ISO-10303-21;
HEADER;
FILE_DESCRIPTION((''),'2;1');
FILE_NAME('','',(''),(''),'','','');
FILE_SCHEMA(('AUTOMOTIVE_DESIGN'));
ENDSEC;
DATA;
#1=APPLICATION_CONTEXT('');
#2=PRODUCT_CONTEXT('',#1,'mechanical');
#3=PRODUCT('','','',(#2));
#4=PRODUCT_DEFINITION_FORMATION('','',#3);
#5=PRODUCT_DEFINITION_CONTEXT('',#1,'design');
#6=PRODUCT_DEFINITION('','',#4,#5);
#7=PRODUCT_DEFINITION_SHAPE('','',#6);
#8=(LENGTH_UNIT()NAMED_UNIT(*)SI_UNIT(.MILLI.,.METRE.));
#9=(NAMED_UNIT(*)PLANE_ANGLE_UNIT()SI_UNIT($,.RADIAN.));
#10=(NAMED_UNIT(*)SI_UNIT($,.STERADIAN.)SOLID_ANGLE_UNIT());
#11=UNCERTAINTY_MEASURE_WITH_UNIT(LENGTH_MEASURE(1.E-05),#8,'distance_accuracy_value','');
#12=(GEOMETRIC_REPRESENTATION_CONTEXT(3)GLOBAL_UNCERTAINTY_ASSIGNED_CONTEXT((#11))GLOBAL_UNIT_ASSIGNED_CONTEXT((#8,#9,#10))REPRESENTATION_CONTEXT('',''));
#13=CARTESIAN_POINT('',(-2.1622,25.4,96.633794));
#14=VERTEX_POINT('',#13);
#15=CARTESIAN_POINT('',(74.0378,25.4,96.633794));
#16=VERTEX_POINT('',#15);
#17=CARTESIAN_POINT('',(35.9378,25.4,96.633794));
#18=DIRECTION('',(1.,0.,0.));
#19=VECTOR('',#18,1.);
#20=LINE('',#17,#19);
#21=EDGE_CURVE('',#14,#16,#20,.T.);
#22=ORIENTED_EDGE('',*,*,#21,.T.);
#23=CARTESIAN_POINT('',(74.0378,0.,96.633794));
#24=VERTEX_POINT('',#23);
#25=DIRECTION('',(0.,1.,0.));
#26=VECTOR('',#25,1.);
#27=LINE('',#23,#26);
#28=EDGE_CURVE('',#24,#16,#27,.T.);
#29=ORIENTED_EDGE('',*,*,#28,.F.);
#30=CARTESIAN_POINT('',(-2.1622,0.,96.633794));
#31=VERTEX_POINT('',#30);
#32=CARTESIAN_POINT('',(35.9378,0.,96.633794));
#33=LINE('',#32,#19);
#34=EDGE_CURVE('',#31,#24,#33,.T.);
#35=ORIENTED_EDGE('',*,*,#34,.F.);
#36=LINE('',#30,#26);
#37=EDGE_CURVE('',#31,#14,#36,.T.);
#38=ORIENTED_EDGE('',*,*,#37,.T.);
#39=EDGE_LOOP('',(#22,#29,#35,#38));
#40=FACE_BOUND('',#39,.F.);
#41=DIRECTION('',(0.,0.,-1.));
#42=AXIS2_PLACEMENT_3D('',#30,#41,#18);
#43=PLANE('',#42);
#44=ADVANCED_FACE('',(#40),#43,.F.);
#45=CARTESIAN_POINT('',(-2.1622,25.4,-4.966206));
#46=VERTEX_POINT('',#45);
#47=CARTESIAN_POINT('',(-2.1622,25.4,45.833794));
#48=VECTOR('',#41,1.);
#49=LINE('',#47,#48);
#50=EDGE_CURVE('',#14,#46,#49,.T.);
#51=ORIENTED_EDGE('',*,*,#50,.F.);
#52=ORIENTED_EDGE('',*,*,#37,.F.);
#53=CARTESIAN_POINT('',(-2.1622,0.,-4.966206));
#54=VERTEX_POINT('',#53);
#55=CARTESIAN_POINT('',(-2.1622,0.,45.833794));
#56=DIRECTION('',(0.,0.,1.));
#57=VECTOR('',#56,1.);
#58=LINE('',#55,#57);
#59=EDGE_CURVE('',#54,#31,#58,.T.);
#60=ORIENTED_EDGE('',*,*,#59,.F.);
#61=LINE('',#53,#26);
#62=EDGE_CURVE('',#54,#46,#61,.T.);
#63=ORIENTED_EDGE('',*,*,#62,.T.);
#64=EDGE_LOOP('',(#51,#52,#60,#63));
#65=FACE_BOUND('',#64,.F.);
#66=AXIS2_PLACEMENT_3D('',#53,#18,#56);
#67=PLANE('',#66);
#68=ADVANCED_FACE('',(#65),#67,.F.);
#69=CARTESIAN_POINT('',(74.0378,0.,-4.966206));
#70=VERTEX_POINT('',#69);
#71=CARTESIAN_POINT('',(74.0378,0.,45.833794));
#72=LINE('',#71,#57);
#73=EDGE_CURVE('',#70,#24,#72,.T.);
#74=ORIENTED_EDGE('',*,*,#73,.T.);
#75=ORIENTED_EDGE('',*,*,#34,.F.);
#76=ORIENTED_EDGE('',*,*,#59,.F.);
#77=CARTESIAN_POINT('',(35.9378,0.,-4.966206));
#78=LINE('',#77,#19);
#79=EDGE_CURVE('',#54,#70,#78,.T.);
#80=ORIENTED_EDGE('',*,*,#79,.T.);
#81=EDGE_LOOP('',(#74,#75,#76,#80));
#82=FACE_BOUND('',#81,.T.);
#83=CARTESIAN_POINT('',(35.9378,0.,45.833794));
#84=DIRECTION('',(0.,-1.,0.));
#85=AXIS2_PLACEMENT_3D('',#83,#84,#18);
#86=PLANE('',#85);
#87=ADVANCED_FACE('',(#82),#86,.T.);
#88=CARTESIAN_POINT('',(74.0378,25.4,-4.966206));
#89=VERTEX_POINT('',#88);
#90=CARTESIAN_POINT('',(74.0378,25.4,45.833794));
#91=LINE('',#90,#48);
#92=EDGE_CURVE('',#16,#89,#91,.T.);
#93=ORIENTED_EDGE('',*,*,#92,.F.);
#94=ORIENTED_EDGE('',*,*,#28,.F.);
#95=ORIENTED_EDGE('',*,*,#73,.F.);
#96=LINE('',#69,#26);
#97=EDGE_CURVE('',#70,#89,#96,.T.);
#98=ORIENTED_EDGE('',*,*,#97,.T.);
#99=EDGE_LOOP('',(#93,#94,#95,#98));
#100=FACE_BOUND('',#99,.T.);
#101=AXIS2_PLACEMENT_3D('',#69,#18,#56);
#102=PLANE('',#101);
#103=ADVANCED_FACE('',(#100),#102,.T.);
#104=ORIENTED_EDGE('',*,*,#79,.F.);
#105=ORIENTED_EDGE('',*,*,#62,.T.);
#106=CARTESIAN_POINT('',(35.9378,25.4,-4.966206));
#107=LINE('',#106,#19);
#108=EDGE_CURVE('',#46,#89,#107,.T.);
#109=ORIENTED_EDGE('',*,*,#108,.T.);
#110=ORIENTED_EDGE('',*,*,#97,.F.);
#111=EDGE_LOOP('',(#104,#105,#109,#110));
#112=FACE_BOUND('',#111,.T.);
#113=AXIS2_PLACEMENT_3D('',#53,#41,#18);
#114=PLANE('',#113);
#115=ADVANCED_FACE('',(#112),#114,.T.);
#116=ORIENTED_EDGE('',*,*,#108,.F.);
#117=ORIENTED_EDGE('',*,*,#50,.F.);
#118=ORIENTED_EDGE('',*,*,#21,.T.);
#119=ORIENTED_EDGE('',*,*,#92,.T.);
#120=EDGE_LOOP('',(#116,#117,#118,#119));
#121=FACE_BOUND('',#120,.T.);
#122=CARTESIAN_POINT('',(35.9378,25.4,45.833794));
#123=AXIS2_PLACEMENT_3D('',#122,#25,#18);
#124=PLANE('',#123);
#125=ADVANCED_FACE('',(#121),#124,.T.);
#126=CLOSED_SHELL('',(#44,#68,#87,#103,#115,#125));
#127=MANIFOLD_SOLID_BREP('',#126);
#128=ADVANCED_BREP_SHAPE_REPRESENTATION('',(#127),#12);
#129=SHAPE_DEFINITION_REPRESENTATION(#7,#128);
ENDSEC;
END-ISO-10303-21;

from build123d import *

# Parameters (mm, degrees)
F0_W      = 76.2
F0_H      = 101.6
F1_DEPTH  = 50.8
F2_R      = 28.338131
F2_R_2    = 1.769468
F1_FACE_W = 76.2
F1_FACE_H = 101.6
F3_DEPTH  = 25.4


with BuildPart() as f1:
    # F0 (on Front) → F1 (new body)
    with BuildSketch(Plane.XZ):
        with Locations((35.9378, 45.833794)):
            Rectangle(F0_W, F0_H)
    extrude(amount=-F1_DEPTH)

    # F2 (on face) + F1_face (on face) → F3 (cut)
    with BuildSketch(Plane(origin=(0, 50.8, 0), x_dir=(-1, 0, 0), z_dir=(0, 1, 0))):
        with Locations((-30.389089, 45.181002)):
            Circle(F2_R)
        with BuildLine():
            ThreePointArc((-37.398237, 46.677038), (-20.360699, 48.915227), (-11.129135, 34.421593))
            ThreePointArc((-11.129135, 34.421593), (-30.067377, 18.701711), (-42.031324, 40.210678))
            ThreePointArc((-42.031324, 40.210678), (-46.180554, 48.076524), (-37.398237, 46.677038))
        make_face(mode=Mode.SUBTRACT)
        with BuildLine():
            ThreePointArc((-42.031324, 40.210678), (-30.067377, 18.701711), (-11.129135, 34.421593))
            ThreePointArc((-11.129135, 34.421593), (-20.360699, 48.915227), (-37.398237, 46.677038))
            ThreePointArc((-37.398237, 46.677038), (-37.225748, 45.937842), (-37.167802, 45.181002))
            ThreePointArc((-37.167802, 45.181002), (-38.58595, 41.704007), (-42.031324, 40.210678))
        make_face()
        with Locations((-27.122481, 34.421593)):
            Circle(F2_R_2, mode=Mode.SUBTRACT)
    with BuildSketch(Plane(origin=(35.9378, 50.8, 45.833794), x_dir=(1, 0, 0), z_dir=(0, 1, 0))):
        Rectangle(F1_FACE_W, F1_FACE_H)
    extrude(amount=-F3_DEPTH, mode=Mode.SUBTRACT)


solid = f1.part
